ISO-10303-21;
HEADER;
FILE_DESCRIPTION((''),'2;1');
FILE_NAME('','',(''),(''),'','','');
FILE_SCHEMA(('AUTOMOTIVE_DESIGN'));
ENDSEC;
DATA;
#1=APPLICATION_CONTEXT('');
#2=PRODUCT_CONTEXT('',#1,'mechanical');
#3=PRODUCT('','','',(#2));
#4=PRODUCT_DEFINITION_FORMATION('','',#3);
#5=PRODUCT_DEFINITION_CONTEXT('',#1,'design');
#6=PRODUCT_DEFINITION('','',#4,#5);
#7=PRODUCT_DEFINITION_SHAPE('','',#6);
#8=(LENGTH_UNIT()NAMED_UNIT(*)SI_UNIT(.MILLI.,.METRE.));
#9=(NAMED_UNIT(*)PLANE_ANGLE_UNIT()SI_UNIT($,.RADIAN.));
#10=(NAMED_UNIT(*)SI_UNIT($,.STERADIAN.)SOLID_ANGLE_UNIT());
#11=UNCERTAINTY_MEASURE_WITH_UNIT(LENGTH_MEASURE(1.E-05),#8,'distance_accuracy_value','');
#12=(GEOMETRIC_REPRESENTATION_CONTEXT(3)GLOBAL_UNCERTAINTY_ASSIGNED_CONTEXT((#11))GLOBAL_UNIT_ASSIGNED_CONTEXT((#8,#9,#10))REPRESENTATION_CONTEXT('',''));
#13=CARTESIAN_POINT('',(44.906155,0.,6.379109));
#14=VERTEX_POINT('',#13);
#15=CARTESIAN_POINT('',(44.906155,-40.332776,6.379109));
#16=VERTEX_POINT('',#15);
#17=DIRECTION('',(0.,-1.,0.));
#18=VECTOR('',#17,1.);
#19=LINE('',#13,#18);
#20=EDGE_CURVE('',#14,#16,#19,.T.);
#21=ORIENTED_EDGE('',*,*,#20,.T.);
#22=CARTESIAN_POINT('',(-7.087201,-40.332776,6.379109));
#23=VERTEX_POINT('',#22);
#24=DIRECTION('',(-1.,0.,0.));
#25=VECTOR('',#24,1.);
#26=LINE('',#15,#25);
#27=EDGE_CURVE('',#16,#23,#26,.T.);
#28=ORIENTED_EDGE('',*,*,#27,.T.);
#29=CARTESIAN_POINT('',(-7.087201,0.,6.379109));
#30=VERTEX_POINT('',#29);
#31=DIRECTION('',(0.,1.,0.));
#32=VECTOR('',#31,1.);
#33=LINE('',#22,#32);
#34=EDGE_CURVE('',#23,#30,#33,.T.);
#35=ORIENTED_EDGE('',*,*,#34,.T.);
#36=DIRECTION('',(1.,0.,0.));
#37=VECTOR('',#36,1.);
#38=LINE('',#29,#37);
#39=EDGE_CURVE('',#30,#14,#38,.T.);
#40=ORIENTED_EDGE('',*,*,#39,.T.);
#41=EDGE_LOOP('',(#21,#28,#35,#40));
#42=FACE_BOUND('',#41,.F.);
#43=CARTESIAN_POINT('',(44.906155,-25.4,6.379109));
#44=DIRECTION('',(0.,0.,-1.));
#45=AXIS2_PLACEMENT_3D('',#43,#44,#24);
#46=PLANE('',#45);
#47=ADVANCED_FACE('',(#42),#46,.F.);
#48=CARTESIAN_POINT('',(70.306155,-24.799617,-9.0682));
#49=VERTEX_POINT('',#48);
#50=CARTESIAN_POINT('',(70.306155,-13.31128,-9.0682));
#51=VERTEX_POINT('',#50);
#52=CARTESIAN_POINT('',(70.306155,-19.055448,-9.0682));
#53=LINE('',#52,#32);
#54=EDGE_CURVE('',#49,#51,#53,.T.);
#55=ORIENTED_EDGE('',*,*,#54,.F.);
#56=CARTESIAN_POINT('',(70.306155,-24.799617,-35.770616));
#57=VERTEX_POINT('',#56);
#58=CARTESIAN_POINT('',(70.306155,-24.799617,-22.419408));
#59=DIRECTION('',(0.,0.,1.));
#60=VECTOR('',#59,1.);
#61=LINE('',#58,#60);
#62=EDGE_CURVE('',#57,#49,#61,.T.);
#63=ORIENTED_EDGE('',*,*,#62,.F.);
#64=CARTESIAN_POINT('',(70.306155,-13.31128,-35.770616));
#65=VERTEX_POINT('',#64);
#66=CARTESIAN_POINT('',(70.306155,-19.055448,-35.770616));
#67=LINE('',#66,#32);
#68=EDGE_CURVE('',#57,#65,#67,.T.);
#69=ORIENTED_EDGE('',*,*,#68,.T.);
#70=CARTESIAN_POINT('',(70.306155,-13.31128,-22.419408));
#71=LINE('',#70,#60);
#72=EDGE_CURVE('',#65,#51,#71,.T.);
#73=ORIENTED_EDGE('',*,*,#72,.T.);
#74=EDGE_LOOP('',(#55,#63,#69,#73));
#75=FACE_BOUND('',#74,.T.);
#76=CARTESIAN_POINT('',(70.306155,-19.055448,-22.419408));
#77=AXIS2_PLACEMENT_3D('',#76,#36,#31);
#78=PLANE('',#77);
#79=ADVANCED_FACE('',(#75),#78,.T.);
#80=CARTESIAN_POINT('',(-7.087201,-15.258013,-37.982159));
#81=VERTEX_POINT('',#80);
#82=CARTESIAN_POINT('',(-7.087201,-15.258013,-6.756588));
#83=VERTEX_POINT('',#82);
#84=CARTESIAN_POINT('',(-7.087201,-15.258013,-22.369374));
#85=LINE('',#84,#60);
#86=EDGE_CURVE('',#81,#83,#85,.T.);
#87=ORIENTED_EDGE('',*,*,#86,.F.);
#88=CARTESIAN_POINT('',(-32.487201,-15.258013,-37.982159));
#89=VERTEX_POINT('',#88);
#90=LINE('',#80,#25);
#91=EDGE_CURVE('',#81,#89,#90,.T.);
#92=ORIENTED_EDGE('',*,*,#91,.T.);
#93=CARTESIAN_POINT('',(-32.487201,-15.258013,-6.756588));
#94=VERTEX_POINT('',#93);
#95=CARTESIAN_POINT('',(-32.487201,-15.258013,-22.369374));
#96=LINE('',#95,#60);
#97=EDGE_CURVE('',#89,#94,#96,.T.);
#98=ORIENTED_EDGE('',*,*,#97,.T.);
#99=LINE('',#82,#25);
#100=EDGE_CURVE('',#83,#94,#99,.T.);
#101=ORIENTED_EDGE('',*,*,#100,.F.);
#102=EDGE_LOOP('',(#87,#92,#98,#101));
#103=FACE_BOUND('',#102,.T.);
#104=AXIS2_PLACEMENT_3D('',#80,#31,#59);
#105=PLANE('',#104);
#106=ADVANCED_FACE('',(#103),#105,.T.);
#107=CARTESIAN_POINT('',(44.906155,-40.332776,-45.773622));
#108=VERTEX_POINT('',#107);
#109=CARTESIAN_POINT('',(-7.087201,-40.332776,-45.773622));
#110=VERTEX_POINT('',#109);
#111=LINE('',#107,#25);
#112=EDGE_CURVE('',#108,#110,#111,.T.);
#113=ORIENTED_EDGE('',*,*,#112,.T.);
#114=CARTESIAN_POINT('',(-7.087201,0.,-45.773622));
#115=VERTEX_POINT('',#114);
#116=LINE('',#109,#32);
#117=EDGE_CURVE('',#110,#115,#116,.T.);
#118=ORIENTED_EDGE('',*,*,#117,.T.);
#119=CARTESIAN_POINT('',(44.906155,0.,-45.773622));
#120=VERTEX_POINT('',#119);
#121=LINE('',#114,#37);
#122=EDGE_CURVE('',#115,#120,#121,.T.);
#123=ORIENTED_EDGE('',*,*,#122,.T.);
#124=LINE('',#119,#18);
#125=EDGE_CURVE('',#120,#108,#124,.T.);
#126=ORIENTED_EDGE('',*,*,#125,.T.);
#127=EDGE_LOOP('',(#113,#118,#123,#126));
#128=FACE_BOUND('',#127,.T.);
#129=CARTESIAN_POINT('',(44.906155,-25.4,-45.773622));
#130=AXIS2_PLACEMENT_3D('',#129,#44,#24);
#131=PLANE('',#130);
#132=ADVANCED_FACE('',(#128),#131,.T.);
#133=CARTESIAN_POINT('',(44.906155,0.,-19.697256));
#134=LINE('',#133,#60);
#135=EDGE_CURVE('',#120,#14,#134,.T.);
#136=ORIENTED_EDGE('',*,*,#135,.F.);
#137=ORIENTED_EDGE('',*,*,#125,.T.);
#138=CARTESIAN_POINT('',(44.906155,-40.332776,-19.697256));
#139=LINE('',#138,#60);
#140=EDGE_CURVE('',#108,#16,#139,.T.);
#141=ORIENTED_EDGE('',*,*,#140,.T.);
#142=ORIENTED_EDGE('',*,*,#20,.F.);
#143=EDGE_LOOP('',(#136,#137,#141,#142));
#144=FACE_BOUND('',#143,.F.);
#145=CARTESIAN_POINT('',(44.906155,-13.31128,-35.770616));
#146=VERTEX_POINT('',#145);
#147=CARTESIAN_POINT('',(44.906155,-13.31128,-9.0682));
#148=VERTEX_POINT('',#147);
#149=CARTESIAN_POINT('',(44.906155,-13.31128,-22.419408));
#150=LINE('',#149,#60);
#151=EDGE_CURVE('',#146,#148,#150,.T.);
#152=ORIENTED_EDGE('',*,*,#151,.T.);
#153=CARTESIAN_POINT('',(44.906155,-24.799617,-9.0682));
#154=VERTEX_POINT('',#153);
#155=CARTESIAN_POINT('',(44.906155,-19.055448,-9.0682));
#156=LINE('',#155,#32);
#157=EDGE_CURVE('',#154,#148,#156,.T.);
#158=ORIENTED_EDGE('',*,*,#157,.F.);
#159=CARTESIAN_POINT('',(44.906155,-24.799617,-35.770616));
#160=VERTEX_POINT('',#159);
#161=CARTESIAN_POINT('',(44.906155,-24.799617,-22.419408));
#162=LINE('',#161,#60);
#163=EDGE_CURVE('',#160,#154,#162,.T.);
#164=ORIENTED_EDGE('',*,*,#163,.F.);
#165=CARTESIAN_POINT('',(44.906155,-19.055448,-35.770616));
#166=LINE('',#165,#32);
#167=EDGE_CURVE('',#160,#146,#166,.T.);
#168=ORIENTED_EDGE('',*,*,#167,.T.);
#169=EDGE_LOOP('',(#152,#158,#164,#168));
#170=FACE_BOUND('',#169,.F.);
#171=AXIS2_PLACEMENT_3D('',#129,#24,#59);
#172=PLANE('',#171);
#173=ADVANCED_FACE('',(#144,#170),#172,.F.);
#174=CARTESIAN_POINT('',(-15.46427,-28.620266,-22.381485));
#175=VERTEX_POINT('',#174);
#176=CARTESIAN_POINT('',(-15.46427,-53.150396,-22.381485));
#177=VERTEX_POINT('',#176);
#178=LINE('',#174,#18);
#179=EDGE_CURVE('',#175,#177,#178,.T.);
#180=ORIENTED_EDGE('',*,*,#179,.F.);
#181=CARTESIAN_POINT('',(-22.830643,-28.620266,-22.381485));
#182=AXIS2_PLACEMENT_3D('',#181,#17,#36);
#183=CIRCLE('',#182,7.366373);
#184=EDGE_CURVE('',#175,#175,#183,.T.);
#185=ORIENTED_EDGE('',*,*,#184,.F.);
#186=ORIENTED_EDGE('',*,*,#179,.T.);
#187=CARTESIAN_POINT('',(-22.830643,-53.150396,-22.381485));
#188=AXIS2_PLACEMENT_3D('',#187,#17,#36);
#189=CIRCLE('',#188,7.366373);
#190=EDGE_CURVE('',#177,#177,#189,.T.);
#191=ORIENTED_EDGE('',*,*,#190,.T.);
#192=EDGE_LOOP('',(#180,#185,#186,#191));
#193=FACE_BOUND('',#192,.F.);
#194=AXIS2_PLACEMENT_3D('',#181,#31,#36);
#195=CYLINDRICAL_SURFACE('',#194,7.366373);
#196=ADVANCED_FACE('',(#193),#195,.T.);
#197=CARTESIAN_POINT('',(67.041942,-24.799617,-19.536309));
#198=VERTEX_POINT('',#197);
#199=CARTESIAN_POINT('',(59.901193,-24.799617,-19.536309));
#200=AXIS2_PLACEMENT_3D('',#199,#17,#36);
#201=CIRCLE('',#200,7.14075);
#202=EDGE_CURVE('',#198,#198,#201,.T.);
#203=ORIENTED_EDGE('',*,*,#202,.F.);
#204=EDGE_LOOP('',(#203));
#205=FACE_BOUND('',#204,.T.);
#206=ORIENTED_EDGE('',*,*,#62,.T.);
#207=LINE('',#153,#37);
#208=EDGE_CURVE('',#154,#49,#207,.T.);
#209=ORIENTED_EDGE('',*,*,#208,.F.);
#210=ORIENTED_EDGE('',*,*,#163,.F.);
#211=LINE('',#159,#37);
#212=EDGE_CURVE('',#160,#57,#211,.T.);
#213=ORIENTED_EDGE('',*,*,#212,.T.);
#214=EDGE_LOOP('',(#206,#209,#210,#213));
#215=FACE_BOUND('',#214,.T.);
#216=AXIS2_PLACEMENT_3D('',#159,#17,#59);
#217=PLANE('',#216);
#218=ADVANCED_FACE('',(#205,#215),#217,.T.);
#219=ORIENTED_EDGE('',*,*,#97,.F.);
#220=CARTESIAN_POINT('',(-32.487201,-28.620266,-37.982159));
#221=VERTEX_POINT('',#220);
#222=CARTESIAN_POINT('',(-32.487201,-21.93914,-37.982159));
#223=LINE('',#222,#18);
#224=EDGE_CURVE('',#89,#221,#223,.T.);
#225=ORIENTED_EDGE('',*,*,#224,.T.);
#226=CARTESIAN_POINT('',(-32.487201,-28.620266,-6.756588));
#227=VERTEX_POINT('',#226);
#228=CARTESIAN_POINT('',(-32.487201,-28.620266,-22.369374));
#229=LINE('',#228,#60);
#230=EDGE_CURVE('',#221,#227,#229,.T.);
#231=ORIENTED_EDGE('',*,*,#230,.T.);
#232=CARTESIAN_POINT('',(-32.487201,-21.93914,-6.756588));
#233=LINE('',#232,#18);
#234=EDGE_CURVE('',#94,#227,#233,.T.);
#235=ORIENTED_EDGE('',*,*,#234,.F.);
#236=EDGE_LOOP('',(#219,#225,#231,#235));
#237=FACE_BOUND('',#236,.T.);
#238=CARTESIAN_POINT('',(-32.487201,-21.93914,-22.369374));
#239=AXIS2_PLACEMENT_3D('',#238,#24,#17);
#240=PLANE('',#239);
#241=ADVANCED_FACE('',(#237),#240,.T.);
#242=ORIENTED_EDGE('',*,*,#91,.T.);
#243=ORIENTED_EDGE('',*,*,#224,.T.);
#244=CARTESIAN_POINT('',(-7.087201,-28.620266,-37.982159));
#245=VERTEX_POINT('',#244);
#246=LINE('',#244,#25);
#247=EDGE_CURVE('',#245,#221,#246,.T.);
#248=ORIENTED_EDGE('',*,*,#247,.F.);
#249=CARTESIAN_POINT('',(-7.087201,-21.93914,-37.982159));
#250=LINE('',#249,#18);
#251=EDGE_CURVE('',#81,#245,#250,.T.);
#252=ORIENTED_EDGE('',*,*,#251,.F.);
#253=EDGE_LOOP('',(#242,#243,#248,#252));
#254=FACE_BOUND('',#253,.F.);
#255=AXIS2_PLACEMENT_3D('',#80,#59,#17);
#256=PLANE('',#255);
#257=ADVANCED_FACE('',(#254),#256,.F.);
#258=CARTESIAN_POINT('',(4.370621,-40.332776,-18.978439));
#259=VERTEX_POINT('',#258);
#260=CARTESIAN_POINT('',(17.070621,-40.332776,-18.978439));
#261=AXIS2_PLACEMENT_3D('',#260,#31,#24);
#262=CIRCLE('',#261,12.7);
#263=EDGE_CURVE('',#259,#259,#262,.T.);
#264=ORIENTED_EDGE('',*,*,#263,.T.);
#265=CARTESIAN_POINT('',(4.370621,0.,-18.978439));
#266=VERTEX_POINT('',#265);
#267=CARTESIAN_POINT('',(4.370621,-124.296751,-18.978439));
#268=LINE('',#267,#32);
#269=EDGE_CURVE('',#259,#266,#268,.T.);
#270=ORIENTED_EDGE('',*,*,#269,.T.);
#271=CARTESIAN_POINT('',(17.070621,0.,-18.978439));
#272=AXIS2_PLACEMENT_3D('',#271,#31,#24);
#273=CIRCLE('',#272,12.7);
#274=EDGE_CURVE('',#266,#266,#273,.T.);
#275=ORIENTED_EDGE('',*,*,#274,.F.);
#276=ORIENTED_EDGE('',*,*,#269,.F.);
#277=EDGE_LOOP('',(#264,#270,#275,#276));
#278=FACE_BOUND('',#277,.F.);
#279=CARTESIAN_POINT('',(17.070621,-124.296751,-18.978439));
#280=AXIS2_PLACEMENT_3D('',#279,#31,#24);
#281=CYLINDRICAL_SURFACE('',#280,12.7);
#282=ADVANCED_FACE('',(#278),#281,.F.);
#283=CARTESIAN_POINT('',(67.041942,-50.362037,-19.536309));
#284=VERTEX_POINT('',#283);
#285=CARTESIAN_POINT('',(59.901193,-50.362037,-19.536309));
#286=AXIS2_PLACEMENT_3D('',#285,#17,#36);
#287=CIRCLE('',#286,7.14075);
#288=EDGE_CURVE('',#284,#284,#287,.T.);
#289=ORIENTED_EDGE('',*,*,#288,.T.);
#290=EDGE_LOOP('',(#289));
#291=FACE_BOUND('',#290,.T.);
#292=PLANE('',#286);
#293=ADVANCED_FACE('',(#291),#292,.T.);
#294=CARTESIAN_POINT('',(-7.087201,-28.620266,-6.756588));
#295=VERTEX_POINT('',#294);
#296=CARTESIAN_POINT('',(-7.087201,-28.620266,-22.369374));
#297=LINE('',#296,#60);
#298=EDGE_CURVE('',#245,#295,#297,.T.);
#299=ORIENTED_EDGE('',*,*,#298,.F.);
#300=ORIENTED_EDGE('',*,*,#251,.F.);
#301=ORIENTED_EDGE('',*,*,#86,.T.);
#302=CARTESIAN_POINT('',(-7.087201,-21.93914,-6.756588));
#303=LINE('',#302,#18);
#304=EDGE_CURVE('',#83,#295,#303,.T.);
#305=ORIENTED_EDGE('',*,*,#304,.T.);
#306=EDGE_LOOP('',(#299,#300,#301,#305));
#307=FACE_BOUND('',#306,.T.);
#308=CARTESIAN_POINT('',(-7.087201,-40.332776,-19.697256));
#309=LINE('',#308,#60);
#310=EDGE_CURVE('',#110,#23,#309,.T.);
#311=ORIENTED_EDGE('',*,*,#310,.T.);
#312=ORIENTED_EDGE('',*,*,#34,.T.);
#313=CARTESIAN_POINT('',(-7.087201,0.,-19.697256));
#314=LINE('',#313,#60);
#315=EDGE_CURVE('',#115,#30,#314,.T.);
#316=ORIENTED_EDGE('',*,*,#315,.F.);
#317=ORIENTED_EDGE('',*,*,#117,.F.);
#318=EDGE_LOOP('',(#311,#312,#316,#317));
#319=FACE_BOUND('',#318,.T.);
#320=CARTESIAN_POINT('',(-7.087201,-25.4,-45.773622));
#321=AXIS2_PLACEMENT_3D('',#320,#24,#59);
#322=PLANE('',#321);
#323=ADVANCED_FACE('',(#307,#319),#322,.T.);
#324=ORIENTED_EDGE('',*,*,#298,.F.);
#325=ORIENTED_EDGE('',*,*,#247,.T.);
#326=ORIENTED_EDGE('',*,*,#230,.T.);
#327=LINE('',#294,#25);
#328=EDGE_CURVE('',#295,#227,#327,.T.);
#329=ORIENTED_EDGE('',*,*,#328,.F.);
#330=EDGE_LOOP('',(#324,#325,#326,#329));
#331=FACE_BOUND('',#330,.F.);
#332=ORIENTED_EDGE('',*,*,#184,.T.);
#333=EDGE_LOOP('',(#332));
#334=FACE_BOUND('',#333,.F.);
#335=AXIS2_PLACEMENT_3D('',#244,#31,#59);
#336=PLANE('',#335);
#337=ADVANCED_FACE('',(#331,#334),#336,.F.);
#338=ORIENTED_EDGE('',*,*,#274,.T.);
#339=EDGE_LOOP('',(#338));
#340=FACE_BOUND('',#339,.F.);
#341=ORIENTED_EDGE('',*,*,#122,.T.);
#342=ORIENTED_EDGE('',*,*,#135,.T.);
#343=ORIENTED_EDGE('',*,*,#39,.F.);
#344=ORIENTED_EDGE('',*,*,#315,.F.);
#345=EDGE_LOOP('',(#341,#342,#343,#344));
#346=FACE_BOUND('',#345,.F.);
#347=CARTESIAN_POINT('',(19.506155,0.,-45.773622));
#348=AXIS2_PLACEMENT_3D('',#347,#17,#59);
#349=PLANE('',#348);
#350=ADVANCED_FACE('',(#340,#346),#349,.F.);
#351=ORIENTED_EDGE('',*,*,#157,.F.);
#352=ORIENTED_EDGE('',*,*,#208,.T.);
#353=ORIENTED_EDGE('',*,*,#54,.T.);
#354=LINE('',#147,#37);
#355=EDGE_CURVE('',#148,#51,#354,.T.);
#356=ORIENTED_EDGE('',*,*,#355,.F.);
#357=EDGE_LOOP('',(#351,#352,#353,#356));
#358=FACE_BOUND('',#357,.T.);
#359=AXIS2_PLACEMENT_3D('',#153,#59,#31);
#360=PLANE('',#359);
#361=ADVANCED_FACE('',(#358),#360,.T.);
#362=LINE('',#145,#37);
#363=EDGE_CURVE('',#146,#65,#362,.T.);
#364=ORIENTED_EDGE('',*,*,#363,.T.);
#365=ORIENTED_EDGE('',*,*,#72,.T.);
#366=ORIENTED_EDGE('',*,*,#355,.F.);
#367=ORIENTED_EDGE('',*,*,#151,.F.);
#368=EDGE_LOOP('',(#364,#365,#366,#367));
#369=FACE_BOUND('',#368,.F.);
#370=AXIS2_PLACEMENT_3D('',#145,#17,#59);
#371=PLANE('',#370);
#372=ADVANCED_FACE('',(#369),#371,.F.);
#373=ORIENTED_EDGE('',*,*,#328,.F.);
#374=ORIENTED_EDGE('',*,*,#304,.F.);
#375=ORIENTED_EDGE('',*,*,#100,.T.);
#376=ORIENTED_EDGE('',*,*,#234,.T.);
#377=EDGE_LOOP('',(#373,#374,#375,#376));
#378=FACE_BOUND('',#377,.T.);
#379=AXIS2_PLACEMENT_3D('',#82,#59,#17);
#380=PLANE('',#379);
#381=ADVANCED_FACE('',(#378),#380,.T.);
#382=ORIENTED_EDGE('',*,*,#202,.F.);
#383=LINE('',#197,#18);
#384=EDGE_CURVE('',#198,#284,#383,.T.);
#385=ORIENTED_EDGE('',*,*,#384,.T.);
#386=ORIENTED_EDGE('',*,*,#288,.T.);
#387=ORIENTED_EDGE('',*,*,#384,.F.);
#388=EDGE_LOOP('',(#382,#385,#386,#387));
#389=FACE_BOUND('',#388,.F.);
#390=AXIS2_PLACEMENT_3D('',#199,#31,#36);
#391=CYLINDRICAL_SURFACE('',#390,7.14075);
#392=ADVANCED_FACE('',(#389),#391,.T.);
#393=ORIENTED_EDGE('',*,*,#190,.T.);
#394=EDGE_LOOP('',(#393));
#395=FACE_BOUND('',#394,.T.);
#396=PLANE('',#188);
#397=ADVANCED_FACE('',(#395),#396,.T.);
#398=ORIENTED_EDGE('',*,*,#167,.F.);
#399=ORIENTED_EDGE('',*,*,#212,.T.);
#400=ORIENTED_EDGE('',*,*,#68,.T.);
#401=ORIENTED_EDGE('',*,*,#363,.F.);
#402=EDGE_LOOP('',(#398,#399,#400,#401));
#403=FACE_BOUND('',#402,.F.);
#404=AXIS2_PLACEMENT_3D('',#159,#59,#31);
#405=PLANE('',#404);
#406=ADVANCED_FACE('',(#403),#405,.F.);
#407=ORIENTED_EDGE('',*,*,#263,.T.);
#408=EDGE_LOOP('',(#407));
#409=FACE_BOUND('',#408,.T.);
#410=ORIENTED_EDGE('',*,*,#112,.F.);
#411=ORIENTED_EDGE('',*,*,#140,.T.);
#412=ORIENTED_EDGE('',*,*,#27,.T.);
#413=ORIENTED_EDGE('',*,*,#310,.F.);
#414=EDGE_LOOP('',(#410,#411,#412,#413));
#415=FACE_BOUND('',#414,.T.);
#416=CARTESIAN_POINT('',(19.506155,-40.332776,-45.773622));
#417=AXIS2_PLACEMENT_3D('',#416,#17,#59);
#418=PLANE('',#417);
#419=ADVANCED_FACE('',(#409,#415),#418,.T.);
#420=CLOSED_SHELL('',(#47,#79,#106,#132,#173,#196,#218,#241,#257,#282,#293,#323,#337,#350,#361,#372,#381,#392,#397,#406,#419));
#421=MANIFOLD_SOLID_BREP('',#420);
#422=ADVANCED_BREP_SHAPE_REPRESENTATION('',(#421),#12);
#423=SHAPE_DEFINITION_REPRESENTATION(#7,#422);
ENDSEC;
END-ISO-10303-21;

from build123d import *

# Parameters (mm, degrees)
F0_W      = 26.593355462
F0_H      = 52.1527305245
F1_DEPTH  = 25.4
F2_DEPTH  = 25.4
F3_DEPTH  = 14.93277587
F6_D      = 25.4
F8_W      = 11.4883370697
F8_H      = 26.7024151981
F9_DEPTH  = 25.4
F10_W     = 13.3622530848
F10_H     = 31.2255714089
F11_DEPTH = 25.4
F12_R     = 7.1407496184
F13_DEPTH = 25.5624204874
F14_R     = 7.3663727873
F15_DEPTH = 24.5301295072


with BuildPart() as f1:
    # F0 (on Front) → F1 (new body)
    with BuildSketch(Plane.XZ):
        with Locations((6.2094768509, -19.6972563863)):
            Rectangle(F0_W, F0_H)
    extrude(amount=F1_DEPTH)

    # F2 (add): a face of the model
    f2_faces = [f1.faces().sort_by_distance(p)[0] for p in [
        (19.5061545819, -12.7, -19.6972563863),
    ]]
    extrude(f2_faces, amount=F2_DEPTH)

    # F3 (add): a face of the model
    f3_faces = [f1.faces().sort_by_distance(p)[0] for p in [
        (18.9094768509, -25.4, -19.6972563863),
    ]]
    extrude(f3_faces, amount=F3_DEPTH)

    # F6 (through all)
    with Locations(Plane.XZ.offset(40.33277587)):
        with Locations((17.0706212521, -18.9784392715)):
            Hole(F6_D / 2)

    # F8 (on face) → F9 (join)
    with BuildSketch(Plane.YZ.offset(44.9061545819)):
        with Locations((-19.0554484725, -22.4194079638)):
            Rectangle(F8_W, F8_H)
    extrude(amount=F9_DEPTH)

    # F10 (on face) → F11 (join)
    with BuildSketch(Plane(origin=(-7.0872008801, 0, 0), x_dir=(0, -1, 0), z_dir=(-1, 0, 0))):
        with Locations((21.9391398132, -22.3693735898)):
            Rectangle(F10_W, F10_H)
    extrude(amount=F11_DEPTH)

    # F12 (on face) → F13 (join)
    with BuildSketch(Plane.XZ.offset(24.7996170074)):
        with Locations((59.9011927843, -19.5363089442)):
            Circle(F12_R)
    extrude(amount=F13_DEPTH)

    # F14 (on face) → F15 (join)
    with BuildSketch(Plane.XZ.offset(28.6202663556)):
        with Locations((-22.8306427598, -22.3814845085)):
            Circle(F14_R)
    extrude(amount=F15_DEPTH)


solid = f1.part
